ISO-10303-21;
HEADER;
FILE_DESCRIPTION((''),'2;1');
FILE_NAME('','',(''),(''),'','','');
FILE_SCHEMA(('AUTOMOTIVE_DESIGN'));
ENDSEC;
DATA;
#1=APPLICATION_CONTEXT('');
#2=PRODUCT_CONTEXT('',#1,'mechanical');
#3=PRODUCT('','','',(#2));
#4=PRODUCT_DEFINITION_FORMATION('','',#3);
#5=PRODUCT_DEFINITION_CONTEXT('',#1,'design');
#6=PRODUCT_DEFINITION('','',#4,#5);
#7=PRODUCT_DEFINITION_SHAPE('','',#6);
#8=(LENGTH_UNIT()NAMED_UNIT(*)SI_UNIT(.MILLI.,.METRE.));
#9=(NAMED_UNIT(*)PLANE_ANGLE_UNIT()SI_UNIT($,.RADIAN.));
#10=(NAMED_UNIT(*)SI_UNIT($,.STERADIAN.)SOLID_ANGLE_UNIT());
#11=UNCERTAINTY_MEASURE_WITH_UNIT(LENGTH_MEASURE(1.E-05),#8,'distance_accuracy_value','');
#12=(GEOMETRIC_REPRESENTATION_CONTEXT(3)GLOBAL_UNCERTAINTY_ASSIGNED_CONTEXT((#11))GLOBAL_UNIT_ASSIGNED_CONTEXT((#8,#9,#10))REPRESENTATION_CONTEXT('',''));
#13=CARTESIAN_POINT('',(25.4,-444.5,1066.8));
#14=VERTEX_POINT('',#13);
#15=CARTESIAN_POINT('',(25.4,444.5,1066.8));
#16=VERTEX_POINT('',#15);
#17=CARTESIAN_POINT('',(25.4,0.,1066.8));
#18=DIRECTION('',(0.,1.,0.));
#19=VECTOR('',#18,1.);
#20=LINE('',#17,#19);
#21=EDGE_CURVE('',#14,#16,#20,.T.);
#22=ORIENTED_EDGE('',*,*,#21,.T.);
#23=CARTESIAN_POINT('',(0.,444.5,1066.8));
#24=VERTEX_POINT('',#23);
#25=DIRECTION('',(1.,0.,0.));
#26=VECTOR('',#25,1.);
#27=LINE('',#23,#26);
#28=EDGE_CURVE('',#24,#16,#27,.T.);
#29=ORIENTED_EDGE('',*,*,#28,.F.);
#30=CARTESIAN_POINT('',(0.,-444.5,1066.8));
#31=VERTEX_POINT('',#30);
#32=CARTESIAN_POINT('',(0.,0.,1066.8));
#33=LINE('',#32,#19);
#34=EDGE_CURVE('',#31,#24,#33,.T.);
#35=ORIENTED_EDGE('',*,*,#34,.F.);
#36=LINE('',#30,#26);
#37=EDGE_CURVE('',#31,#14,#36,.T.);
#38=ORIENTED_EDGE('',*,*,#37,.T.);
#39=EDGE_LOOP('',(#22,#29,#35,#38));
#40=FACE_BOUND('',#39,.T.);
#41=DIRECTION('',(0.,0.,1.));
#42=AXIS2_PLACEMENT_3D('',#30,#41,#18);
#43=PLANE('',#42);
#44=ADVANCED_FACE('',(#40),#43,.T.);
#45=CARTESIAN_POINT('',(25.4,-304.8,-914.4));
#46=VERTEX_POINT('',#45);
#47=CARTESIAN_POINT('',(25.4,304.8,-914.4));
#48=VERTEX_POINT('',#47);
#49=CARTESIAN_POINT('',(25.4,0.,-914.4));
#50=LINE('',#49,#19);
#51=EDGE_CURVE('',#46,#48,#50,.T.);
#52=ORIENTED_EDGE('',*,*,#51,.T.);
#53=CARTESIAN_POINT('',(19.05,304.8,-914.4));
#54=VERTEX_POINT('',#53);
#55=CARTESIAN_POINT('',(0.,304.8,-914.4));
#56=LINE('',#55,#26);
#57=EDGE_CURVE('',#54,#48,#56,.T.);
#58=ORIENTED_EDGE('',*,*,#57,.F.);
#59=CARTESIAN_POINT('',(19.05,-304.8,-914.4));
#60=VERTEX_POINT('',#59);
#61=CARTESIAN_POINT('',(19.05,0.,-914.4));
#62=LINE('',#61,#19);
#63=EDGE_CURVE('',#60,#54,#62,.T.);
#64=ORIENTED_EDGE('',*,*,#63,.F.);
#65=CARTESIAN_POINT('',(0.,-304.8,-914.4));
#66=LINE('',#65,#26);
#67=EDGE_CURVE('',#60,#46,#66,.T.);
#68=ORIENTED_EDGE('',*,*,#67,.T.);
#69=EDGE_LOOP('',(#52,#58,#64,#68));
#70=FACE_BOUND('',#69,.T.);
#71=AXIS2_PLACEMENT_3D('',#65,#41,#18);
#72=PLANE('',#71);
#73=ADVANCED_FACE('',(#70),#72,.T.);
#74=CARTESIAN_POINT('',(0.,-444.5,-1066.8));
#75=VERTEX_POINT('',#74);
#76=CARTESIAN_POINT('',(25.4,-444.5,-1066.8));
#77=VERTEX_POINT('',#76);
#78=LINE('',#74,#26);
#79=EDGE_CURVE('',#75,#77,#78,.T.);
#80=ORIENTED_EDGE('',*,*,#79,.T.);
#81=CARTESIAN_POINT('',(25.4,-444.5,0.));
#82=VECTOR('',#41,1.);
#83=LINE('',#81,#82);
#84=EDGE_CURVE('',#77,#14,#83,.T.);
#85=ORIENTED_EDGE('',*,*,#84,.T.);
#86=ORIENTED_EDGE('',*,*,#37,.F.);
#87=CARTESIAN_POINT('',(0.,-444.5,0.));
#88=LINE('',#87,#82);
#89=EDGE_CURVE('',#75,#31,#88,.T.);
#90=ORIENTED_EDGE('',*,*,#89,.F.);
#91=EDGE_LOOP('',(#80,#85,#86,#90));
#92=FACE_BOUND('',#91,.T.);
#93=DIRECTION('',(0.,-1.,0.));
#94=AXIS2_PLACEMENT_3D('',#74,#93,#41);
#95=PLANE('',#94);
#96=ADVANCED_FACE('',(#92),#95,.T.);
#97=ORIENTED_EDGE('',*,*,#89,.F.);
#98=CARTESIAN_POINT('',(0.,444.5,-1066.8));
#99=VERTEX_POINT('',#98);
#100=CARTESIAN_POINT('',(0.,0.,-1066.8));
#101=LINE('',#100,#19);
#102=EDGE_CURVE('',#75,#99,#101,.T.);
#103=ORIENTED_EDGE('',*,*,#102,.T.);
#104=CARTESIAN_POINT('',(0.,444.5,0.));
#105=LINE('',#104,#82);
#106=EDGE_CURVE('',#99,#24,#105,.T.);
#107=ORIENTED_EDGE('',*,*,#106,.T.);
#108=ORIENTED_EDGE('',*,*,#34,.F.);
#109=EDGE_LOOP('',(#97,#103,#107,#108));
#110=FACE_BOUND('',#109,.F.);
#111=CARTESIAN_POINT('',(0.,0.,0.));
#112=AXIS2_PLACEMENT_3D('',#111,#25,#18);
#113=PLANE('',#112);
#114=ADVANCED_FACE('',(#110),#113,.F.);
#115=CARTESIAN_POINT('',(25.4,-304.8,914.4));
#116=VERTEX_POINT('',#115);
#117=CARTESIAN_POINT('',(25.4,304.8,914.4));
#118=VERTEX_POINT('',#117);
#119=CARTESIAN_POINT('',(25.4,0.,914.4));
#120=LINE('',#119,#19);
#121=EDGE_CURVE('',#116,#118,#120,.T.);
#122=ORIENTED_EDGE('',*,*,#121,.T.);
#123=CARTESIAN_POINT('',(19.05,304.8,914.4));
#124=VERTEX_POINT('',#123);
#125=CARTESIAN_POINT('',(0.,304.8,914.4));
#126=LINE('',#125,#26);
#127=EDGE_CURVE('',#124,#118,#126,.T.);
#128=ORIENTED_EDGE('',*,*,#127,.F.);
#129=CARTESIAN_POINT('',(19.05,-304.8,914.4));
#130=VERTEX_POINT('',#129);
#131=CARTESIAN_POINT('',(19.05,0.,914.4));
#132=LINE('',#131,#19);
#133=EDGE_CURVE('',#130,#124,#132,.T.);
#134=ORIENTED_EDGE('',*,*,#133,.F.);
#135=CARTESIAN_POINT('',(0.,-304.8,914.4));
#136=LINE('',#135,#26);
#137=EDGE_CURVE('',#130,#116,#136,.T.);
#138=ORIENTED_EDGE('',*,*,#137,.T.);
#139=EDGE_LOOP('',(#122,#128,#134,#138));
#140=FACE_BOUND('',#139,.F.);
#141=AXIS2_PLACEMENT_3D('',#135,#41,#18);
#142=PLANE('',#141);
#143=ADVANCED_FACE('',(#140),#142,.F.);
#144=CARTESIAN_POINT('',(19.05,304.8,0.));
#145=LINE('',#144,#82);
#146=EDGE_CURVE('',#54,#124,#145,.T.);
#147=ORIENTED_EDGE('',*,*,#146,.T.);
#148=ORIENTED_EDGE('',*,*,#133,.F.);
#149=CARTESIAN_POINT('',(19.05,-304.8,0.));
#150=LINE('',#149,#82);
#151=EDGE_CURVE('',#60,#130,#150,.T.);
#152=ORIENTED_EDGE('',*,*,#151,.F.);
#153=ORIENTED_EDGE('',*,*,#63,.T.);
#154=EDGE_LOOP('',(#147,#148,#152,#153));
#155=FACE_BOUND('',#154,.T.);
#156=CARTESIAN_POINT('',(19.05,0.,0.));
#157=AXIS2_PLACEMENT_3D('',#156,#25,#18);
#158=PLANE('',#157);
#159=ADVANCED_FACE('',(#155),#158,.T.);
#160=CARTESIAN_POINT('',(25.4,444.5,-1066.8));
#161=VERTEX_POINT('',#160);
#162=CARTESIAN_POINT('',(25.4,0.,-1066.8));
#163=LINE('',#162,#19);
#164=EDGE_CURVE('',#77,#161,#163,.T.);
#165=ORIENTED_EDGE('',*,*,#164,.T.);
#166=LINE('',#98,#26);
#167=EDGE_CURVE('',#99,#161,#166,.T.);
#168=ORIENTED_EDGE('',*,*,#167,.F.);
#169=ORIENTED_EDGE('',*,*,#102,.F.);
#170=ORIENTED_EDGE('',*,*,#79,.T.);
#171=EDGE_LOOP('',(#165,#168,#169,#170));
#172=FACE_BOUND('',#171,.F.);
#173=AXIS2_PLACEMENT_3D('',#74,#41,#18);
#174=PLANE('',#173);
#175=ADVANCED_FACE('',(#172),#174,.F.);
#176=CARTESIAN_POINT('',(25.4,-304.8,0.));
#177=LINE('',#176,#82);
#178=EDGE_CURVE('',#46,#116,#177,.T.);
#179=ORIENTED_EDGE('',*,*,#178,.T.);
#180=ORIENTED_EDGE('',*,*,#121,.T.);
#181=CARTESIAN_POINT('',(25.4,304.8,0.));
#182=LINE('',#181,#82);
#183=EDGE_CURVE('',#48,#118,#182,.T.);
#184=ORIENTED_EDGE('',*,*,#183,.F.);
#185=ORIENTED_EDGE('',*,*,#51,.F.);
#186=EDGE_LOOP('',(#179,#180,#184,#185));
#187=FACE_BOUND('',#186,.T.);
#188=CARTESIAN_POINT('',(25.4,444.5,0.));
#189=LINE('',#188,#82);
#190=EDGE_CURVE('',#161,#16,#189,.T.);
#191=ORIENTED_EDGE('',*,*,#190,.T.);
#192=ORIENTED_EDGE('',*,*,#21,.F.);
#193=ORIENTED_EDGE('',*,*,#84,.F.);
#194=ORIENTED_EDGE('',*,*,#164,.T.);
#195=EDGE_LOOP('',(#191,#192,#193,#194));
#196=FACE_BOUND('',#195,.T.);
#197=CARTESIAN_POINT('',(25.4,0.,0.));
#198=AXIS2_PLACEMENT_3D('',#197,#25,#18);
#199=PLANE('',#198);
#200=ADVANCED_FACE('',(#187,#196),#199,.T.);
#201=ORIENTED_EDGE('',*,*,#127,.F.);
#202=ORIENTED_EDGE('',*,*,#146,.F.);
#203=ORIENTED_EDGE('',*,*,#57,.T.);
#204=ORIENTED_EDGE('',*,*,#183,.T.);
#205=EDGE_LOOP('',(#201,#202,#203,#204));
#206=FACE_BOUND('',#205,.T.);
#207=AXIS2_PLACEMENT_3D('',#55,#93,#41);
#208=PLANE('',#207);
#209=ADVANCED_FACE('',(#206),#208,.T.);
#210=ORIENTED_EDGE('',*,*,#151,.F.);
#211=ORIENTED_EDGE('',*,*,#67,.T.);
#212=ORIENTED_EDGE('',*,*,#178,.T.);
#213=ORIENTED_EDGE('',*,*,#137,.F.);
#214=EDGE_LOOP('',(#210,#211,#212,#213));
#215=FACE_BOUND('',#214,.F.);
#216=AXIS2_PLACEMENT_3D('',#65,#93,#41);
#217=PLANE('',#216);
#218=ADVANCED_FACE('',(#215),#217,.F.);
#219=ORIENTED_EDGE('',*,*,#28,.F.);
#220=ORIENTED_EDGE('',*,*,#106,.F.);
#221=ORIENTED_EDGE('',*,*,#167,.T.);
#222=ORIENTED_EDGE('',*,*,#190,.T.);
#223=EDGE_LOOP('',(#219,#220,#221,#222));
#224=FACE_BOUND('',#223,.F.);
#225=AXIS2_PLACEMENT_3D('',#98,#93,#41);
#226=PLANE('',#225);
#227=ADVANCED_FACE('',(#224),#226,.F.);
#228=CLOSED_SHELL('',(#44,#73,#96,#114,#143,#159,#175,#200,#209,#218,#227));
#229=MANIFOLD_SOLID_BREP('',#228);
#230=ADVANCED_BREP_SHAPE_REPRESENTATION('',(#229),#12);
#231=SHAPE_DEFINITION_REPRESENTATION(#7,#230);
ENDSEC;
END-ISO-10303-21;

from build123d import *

# Parameters (mm, degrees)
F0_W     = 609.6
F0_H     = 1828.8
F1_DEPTH = 19.05
F0_W_2   = 889
F0_H_2   = 2133.6
F2_DEPTH = 25.4


with BuildPart() as f1:
    # F0 (on Right) → F1 (new body)
    with BuildSketch(Plane.YZ):
        Rectangle(F0_W, F0_H)
    extrude(amount=F1_DEPTH)

    # F0 (on Right) → F2 (join)
    with BuildSketch(Plane.YZ):
        Rectangle(F0_W_2, F0_H_2)
        Rectangle(F0_W, F0_H, mode=Mode.SUBTRACT)
    extrude(amount=F2_DEPTH)


solid = f1.part
